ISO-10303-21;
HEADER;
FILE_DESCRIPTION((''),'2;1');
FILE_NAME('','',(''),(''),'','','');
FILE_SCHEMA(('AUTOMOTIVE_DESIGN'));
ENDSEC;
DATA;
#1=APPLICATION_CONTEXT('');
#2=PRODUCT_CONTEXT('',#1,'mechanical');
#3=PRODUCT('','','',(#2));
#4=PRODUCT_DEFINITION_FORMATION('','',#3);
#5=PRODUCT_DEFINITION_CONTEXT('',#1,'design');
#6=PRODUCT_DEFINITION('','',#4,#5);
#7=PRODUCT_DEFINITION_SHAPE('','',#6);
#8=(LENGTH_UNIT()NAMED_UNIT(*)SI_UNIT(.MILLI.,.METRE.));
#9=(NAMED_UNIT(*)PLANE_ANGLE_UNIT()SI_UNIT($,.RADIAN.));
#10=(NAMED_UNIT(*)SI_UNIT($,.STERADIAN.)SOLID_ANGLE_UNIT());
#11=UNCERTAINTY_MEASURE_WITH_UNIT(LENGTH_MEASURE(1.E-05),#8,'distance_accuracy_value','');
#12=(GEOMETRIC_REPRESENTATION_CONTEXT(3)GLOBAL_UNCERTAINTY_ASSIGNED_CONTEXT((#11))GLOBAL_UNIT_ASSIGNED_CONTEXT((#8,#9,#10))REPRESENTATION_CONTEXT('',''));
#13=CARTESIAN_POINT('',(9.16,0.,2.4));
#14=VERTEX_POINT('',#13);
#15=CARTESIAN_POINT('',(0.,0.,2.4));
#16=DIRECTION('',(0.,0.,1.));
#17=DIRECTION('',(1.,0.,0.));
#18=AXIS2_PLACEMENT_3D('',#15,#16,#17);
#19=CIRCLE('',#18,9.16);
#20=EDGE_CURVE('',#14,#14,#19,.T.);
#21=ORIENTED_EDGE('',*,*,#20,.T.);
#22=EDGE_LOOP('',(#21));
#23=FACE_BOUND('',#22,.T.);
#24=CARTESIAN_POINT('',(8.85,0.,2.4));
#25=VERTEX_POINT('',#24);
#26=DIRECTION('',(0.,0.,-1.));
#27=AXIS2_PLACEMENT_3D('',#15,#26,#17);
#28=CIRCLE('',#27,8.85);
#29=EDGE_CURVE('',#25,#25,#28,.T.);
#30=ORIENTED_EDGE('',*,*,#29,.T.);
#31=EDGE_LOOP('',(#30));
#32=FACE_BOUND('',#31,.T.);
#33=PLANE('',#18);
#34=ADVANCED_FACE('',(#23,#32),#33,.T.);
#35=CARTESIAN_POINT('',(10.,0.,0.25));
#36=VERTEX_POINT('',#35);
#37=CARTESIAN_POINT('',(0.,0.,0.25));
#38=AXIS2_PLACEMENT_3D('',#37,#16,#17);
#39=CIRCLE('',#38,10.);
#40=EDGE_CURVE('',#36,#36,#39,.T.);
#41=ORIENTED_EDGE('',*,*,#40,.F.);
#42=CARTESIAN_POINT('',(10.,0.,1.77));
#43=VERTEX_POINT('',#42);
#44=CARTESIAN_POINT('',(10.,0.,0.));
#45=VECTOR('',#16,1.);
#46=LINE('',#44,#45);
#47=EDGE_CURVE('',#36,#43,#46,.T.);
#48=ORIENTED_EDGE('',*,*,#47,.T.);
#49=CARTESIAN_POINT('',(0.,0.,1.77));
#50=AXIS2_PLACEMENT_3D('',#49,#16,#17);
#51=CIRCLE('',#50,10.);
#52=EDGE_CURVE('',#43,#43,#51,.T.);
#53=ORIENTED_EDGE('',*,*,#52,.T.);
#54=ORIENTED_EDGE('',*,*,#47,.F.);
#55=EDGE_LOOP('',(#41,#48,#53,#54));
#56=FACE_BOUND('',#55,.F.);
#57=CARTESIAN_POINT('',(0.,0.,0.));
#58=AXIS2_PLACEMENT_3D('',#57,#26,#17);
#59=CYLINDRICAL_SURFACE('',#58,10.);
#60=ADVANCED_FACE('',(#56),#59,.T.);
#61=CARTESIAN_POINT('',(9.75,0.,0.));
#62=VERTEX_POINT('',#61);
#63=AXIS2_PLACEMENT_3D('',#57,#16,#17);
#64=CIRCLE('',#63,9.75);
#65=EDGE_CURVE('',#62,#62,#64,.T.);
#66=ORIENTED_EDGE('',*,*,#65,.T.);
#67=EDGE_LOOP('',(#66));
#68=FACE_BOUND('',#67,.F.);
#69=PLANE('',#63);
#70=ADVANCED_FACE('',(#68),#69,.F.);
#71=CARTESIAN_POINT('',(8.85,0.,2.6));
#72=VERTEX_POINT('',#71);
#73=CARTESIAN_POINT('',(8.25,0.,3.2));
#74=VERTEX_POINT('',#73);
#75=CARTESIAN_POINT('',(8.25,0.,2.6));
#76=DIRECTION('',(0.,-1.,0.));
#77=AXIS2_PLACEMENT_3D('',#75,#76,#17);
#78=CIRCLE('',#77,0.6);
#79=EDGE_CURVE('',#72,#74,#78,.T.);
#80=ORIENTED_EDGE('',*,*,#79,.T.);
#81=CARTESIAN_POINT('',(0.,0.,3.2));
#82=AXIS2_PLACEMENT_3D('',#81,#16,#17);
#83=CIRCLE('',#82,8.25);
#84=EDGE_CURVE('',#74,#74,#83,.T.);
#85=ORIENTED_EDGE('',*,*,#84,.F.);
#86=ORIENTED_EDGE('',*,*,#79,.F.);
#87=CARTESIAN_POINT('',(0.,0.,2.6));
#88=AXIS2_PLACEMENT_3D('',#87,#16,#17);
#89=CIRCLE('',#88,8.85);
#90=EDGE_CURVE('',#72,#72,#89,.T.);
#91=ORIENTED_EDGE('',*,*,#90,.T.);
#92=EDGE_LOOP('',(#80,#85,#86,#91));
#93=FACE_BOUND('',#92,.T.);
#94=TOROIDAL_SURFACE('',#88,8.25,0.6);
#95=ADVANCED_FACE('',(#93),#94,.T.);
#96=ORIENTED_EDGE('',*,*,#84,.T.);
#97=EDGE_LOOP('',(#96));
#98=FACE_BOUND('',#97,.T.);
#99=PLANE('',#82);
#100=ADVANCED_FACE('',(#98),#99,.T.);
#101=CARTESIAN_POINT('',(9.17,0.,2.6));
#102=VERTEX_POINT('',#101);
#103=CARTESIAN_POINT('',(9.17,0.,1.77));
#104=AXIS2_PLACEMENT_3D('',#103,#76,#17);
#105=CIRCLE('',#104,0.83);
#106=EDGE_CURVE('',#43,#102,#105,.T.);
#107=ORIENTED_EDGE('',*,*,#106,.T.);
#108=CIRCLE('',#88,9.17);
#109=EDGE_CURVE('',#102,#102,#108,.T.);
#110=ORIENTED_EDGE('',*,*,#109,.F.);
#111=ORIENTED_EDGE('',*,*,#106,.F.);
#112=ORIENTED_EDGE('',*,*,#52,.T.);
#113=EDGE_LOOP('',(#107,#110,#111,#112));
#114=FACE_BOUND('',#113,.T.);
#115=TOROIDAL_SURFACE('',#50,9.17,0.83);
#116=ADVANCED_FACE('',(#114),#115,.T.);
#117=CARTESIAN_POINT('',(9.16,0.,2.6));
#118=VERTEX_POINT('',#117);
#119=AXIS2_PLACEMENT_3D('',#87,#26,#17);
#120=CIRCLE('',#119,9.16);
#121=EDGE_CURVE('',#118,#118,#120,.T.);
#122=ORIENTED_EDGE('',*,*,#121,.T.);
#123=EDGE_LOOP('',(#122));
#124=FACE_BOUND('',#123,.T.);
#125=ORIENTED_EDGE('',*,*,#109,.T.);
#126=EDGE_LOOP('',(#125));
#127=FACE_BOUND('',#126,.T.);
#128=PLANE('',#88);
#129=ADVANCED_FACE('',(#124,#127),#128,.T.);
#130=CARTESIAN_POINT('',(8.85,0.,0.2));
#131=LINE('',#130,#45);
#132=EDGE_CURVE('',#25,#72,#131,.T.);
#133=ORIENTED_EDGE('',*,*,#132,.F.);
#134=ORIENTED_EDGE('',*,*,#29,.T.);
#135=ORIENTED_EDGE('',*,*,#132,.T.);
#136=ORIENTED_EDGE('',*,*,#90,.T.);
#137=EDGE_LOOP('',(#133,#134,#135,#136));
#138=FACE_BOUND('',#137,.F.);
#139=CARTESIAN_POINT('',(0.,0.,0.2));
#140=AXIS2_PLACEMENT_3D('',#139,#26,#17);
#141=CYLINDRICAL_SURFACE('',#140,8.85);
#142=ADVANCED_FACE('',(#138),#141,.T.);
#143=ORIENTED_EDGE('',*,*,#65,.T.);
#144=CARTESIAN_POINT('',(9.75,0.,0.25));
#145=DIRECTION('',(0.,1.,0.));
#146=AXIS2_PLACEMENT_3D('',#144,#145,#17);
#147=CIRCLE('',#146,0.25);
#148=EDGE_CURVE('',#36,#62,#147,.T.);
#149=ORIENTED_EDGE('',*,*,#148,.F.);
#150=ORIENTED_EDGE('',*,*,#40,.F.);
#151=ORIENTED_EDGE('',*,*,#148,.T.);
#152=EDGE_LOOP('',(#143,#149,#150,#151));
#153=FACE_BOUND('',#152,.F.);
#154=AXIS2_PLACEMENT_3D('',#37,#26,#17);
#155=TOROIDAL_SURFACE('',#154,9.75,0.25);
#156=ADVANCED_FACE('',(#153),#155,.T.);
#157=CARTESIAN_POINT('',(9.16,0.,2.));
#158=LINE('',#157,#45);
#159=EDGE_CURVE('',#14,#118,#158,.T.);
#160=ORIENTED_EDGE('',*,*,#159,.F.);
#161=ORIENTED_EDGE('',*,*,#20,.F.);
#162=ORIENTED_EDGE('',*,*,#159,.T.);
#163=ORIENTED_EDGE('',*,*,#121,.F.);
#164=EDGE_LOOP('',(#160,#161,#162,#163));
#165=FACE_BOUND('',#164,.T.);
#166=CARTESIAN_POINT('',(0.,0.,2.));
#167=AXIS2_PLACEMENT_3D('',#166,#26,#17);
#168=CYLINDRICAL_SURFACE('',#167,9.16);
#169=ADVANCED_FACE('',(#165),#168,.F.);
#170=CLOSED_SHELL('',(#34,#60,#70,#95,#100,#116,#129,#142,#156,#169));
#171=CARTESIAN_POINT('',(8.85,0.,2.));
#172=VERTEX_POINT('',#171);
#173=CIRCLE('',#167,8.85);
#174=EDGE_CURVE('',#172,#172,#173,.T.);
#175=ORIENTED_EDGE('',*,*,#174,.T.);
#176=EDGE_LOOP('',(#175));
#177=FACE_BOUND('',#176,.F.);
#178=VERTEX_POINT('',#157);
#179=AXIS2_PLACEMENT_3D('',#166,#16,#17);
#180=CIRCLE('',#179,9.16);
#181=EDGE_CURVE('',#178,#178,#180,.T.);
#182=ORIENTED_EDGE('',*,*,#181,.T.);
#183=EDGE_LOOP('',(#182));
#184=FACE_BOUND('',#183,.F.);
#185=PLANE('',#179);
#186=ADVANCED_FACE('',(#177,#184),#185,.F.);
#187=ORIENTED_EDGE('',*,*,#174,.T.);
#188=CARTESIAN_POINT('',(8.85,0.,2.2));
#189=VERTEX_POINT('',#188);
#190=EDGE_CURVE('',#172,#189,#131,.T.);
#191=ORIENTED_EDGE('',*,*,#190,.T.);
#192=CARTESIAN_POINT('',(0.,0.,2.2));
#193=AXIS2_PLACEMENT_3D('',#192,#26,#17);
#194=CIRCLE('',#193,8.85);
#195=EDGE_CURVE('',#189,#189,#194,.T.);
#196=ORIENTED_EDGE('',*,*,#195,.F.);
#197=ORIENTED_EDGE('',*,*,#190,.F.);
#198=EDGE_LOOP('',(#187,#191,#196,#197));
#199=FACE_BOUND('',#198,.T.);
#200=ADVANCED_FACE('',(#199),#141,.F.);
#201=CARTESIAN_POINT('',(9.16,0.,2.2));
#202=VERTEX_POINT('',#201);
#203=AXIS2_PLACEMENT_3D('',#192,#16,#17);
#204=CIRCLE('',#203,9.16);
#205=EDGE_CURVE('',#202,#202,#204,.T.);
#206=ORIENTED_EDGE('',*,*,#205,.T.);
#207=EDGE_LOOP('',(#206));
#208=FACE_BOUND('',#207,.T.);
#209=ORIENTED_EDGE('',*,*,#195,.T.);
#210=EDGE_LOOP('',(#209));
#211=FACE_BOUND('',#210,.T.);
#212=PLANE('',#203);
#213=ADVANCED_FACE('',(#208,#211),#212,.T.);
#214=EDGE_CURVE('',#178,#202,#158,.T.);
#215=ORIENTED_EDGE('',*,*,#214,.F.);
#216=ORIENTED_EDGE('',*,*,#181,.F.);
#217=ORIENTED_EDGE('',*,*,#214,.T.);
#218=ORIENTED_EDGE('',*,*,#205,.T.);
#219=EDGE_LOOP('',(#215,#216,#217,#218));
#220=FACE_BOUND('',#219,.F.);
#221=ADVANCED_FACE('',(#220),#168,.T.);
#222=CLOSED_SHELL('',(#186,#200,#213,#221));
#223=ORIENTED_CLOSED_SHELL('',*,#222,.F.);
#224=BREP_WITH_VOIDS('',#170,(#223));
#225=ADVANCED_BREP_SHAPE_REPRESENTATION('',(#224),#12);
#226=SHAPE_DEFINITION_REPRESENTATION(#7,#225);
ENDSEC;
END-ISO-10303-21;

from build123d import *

# Parameters (mm, degrees)
CYLINDER002_R     = 9.16
CYLINDER002_DEPTH = 18
CYLINDER_R        = 10
CYLINDER_DEPTH    = 2.6
CYLINDER001_R     = 8.85
CYLINDER001_DEPTH = 3
FILLET_1_R        = 0.83
FILLET_2_R        = 0.6
FILLET_3_R        = 0.25
CYLINDER003_R     = 9.16
CYLINDER003_DEPTH = 0.2


with BuildPart() as inside_cut:
    # Cylinder002 → Cylinder002 (new body)
    with BuildSketch(Plane.XY.offset(2)):
        Circle(CYLINDER002_R)
    extrude(amount=CYLINDER002_DEPTH)


with BuildPart() as cut:
    # Cylinder → Cylinder (new body)
    with BuildSketch(Plane.XY):
        Circle(CYLINDER_R)
    extrude(amount=CYLINDER_DEPTH)

    # Cut: cut inside_cut
    add(inside_cut.part, mode=Mode.SUBTRACT)


with BuildPart() as battery:
    # Cylinder001 → Cylinder001 (new body)
    with BuildSketch(Plane.XY.offset(0.2)):
        Circle(CYLINDER001_R)
    extrude(amount=CYLINDER001_DEPTH)

    # Fusion: union Cut
    add(cut.part)

    # Fillet 1
    fillet_1_edges = [battery.edges().sort_by_distance(p)[0] for p in [
        (-10, 0, 2.6),
    ]]
    fillet(fillet_1_edges, radius=FILLET_1_R)

    # Fillet 2
    fillet_2_edges = [battery.edges().sort_by_distance(p)[0] for p in [
        (-8.85, 0, 3.2),
    ]]
    fillet(fillet_2_edges, radius=FILLET_2_R)

    # Fillet 3
    fillet_3_edges = [battery.edges().sort_by_distance(p)[0] for p in [
        (-10, 0, 0),
    ]]
    fillet(fillet_3_edges, radius=FILLET_3_R)


with BuildPart() as battery_final:
    # Cylinder003 → Cylinder003 (new body)
    with BuildSketch(Plane.XY.offset(2.2)):
        Circle(CYLINDER003_R)
    extrude(amount=CYLINDER003_DEPTH)

    # Fusion001: union battery
    add(battery.part)


solid = battery_final.part
